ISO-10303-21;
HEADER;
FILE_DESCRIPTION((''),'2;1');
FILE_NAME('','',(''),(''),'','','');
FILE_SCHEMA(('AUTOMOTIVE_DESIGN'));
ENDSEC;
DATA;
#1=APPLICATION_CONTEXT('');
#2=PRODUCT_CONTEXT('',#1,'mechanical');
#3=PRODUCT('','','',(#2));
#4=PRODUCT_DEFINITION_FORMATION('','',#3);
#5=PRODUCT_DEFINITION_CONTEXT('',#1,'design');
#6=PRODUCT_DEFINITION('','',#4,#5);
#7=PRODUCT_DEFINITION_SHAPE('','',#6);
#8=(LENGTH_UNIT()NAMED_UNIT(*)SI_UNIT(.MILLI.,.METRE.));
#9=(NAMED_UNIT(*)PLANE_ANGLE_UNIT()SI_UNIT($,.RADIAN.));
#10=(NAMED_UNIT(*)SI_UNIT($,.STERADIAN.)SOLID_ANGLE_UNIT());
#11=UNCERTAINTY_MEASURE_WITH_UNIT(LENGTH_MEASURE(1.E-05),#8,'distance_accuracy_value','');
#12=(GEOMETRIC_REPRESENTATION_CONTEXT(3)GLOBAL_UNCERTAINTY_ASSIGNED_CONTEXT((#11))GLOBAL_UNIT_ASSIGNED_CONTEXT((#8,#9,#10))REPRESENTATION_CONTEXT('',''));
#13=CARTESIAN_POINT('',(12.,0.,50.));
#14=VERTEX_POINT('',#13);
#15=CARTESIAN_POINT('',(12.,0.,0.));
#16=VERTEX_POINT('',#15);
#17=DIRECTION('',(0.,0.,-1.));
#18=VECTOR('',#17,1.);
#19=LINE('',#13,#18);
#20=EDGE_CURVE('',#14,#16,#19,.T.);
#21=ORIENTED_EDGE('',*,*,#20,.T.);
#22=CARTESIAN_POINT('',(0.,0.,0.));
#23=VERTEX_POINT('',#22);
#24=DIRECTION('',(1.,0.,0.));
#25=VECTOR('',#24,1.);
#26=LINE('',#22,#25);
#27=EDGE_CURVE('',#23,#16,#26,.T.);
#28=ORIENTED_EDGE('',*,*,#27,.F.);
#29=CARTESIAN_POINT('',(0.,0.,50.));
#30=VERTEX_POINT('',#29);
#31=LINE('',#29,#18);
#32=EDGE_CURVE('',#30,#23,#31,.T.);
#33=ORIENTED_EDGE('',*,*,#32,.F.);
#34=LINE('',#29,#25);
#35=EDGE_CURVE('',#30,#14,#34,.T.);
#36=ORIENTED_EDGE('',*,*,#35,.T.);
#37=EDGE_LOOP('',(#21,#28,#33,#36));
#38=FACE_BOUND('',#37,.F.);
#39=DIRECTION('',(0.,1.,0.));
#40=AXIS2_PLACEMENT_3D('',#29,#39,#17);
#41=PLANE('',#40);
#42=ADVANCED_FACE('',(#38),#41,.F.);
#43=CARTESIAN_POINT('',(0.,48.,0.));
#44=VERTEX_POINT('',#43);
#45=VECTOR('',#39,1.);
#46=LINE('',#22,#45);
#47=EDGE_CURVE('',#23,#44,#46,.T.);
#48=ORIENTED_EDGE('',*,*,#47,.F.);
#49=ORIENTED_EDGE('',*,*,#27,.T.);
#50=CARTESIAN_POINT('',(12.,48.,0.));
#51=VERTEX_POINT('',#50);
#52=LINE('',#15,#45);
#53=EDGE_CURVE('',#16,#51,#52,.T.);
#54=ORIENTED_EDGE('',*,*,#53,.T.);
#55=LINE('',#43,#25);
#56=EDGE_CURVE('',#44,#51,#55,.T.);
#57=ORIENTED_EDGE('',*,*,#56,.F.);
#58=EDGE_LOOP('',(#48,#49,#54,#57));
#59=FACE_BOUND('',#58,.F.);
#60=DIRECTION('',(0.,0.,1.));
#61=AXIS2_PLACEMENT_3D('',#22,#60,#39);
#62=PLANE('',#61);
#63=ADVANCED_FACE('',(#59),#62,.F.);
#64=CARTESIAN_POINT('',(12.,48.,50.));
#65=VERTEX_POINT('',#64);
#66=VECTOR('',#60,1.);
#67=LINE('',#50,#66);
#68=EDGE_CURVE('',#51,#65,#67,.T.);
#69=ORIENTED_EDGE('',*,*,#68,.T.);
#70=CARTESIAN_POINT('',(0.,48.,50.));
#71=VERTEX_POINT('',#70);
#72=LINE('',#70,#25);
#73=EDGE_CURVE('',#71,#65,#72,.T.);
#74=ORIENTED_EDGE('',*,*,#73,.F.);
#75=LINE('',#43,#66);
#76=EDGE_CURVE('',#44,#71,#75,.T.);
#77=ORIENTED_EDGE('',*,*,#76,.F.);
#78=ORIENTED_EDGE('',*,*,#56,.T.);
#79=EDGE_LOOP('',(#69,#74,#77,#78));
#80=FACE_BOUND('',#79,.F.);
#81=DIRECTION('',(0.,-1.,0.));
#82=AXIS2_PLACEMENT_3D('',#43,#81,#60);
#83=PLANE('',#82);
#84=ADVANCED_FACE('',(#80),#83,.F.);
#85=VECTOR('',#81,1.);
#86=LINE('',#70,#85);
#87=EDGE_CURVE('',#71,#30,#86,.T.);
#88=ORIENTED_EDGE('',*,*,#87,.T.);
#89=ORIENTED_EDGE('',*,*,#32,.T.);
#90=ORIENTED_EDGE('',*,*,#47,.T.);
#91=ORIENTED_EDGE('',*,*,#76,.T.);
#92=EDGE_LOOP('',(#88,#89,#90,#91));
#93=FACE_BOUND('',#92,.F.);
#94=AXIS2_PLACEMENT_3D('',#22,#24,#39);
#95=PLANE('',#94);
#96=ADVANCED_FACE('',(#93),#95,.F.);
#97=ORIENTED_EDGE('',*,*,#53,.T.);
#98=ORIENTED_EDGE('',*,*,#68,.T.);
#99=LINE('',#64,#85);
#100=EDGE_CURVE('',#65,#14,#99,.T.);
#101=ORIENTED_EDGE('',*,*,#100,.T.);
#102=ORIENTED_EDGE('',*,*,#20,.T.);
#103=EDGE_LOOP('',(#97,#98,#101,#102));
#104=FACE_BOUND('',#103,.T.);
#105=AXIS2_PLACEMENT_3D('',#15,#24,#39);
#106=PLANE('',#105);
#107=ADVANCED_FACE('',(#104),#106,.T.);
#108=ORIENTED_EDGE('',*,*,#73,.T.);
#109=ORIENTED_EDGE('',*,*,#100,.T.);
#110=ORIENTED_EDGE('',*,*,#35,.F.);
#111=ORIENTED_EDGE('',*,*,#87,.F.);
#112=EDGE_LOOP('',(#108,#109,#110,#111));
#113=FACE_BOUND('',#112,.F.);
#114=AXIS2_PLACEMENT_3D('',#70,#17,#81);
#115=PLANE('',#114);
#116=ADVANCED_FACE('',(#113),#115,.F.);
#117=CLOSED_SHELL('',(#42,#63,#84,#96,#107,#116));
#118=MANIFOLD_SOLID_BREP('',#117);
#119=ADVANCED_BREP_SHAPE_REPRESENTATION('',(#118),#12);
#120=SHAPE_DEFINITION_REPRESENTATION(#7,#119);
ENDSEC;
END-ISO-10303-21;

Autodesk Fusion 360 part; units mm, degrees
sketch "Control Panel Support" plane through (0, 0, 0) normal (1, 0, 0) x (0, 1, 0)
  line L0 (0, 0) -> (48, 0)
  line L1 (48, 0) -> (48, 50)
  line L2 (48, 50) -> (0, 50)
  line L3 (0, 50) -> (0, 0)
  dimension "d1" = 48
  dimension "d2" = 50
extrude "Extrude1" add sketch "Control Panel Support" along normal blind 12
equation "pineThickness = 12 mm" comment "Thickness of the pine planks"
equation "d4 = pineThickness"
equation "mdfThickness = 6 mm" comment "Thickness of the MDF board"
